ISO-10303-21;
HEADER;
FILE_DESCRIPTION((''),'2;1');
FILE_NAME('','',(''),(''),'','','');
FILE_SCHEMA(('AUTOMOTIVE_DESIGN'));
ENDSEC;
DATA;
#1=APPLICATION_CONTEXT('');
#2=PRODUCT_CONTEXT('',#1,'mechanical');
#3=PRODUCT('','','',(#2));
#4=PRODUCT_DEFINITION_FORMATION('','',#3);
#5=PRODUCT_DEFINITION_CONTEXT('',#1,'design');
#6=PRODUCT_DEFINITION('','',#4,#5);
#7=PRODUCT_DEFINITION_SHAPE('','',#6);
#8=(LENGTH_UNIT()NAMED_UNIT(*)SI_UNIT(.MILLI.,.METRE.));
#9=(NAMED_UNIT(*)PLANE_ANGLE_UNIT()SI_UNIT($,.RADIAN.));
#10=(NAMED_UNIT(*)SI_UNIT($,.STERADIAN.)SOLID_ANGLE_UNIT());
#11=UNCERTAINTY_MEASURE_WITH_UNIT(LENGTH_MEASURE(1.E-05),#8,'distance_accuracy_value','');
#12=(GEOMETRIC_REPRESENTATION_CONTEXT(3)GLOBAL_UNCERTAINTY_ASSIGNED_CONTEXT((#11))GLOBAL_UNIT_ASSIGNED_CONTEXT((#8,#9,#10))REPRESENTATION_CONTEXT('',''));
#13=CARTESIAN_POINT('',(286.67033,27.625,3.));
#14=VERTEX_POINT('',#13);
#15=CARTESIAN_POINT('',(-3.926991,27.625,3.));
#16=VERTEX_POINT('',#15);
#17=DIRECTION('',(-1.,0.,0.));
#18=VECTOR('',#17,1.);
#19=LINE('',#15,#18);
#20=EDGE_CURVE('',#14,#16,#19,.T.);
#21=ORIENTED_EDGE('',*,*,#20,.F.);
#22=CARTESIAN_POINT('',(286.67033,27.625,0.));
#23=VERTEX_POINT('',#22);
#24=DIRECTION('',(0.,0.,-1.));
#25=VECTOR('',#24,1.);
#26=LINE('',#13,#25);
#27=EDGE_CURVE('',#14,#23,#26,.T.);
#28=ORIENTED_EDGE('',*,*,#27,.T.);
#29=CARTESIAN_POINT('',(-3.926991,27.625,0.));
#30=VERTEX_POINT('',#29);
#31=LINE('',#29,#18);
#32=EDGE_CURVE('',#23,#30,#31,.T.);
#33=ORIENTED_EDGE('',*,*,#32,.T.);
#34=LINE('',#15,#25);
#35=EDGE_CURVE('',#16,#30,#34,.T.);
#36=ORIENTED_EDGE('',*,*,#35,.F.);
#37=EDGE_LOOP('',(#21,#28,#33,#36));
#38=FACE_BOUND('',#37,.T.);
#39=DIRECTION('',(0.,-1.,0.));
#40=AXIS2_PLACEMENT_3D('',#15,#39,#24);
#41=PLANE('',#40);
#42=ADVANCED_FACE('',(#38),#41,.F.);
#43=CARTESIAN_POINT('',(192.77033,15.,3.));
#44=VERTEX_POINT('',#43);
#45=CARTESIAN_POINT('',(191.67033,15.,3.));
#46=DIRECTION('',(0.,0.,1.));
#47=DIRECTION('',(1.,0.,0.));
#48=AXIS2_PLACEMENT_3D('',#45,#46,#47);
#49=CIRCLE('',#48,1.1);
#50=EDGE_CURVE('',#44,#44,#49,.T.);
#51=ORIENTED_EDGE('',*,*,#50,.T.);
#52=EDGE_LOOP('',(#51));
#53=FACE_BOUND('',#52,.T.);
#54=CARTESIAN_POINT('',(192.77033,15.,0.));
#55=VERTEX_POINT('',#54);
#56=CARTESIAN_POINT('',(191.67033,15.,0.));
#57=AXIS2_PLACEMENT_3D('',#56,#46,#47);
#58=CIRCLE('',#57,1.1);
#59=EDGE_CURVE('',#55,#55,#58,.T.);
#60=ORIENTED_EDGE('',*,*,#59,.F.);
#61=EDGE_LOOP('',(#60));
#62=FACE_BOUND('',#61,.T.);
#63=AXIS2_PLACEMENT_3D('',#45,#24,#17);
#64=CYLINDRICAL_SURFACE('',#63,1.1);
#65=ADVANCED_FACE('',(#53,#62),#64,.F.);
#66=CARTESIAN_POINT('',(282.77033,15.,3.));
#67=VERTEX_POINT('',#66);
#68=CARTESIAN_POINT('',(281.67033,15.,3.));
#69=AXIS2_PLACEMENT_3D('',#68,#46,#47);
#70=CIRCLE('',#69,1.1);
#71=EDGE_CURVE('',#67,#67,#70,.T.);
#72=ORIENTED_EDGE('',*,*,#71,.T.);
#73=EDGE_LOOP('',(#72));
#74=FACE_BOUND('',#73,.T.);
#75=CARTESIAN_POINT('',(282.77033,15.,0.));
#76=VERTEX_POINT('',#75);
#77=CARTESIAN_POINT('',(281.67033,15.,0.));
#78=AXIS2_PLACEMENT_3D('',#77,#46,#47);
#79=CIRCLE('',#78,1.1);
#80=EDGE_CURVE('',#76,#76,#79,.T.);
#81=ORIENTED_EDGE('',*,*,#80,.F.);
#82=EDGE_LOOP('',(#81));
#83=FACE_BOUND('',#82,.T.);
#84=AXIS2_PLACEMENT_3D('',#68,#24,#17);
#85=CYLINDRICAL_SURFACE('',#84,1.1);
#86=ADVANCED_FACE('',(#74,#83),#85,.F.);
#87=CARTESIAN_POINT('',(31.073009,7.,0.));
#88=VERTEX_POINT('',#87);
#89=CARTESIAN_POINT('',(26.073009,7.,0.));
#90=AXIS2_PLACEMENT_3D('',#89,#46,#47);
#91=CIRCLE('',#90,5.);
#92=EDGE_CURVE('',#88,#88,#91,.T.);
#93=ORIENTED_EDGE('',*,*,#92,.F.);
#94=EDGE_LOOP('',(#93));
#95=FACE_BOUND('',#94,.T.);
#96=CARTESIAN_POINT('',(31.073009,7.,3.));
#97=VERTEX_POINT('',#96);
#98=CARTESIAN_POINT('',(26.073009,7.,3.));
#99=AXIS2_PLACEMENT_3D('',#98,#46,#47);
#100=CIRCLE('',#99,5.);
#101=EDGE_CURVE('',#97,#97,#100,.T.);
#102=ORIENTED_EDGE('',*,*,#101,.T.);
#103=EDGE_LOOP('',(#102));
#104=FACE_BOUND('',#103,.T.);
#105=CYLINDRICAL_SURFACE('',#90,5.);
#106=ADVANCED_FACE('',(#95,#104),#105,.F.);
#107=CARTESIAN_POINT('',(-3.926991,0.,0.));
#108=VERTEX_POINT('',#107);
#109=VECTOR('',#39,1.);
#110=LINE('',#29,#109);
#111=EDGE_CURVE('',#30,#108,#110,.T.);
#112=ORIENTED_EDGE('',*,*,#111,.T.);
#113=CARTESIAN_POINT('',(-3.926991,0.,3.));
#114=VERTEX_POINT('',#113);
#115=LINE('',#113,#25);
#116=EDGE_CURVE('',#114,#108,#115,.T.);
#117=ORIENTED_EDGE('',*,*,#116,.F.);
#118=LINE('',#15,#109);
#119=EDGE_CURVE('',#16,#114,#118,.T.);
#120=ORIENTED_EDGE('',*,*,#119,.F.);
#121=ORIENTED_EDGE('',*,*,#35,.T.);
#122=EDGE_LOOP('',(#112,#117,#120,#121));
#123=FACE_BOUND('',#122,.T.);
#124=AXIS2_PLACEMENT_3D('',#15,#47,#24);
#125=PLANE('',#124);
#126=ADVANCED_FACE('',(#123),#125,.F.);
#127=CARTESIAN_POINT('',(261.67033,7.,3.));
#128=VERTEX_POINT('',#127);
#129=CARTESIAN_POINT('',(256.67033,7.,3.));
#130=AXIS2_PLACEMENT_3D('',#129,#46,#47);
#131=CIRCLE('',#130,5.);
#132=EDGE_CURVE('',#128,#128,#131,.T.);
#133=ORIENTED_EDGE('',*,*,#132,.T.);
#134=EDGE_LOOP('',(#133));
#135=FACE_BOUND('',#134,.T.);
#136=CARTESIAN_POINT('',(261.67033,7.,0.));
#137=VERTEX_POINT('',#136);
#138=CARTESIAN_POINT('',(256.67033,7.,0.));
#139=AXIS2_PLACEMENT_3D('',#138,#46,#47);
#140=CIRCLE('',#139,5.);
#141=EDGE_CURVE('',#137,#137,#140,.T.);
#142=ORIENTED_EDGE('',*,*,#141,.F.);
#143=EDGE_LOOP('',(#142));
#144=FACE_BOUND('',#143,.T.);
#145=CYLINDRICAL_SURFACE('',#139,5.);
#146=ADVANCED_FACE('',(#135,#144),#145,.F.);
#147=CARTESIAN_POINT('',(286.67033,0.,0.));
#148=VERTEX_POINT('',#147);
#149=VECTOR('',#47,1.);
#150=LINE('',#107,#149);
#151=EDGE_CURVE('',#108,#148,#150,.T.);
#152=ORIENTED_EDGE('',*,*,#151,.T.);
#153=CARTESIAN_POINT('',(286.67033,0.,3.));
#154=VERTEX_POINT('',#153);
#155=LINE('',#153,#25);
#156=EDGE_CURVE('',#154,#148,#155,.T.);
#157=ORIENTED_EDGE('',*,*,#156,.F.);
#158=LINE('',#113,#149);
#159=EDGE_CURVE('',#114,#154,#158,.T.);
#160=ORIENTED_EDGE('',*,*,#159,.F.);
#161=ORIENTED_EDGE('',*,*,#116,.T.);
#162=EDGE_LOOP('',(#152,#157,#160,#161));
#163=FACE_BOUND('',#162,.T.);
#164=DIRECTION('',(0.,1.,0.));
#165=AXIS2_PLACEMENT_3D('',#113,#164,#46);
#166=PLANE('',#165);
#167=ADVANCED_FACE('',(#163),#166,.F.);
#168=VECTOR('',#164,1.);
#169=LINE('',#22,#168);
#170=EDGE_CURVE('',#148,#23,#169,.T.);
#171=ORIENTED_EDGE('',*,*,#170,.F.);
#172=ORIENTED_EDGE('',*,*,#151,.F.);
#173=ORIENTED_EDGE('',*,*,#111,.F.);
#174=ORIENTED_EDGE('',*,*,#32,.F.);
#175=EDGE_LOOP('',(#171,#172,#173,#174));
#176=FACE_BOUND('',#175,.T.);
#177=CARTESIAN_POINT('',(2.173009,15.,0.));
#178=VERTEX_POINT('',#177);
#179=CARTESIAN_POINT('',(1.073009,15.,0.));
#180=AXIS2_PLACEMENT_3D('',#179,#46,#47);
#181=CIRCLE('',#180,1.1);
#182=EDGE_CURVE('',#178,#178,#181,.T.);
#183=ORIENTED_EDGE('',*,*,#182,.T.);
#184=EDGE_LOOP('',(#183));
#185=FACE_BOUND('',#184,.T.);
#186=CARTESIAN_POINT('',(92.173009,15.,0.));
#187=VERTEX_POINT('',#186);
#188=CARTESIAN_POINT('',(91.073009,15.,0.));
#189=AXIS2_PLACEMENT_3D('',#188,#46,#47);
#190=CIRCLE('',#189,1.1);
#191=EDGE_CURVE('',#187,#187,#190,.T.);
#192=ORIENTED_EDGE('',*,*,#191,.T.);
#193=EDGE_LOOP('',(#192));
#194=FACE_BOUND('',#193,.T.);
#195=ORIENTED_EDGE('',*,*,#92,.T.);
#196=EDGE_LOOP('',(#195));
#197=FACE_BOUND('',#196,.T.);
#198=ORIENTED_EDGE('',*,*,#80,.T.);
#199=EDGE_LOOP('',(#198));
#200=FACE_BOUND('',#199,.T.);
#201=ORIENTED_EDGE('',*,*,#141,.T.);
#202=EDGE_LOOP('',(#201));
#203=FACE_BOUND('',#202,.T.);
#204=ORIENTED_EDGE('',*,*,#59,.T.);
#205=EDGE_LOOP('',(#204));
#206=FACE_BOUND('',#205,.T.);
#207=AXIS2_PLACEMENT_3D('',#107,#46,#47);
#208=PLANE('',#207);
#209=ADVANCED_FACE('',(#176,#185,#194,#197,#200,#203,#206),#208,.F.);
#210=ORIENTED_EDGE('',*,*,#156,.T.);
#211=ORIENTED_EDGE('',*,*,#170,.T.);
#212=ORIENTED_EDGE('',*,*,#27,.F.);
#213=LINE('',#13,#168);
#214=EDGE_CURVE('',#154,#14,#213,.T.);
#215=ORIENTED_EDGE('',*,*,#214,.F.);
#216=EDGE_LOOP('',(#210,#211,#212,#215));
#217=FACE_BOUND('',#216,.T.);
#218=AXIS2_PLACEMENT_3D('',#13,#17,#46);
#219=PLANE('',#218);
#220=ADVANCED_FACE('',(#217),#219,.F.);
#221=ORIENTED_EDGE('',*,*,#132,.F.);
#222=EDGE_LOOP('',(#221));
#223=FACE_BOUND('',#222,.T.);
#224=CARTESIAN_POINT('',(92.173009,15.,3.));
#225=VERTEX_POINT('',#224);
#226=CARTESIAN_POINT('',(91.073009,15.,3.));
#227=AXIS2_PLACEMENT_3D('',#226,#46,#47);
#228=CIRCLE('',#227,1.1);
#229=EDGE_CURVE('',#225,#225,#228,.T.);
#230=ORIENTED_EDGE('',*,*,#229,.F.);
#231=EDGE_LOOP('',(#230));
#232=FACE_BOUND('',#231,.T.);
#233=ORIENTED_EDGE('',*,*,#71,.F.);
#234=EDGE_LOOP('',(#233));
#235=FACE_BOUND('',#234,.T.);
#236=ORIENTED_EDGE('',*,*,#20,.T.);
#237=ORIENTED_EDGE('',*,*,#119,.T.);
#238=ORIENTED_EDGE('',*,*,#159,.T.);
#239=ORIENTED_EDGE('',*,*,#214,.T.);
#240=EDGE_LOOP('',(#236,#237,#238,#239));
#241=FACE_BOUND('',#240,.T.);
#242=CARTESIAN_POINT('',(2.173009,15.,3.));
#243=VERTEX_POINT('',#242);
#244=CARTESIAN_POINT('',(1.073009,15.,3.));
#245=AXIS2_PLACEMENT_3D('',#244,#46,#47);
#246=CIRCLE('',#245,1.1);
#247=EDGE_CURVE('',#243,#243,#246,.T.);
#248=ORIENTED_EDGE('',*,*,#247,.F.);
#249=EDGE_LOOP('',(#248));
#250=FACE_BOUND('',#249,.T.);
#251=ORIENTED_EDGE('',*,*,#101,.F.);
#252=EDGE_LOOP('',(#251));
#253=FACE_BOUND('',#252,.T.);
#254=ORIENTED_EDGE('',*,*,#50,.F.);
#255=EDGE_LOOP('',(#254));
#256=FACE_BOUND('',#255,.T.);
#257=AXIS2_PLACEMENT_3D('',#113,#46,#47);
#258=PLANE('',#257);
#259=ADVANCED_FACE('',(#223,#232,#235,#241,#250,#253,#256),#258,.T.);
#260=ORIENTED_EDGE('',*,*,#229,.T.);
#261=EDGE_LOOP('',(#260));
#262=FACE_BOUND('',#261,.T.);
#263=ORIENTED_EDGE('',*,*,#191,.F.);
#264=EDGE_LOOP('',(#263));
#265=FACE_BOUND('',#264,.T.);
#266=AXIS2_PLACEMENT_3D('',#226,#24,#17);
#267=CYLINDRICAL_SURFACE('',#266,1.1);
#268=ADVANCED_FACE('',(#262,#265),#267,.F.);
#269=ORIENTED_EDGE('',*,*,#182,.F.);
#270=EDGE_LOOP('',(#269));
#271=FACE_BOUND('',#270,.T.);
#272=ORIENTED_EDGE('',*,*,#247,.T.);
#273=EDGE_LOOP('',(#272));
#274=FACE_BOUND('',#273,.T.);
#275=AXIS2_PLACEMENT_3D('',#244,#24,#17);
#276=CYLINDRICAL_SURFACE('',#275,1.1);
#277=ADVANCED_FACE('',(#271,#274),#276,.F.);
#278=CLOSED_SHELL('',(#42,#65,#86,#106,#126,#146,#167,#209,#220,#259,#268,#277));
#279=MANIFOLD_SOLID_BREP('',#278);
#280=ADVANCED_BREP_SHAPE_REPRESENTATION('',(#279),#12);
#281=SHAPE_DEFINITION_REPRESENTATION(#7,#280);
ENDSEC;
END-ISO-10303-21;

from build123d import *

# Parameters (mm, degrees)
ESQUISSE5_W             = 290.597320494
ESQUISSE5_H             = 27.625
ESQUISSE5_R             = 1.1
EXTRUSION1_DEPTH        = 3
ESQUISSE4_R             = 5
ENL_V_MAT_EXTRU_2_DEPTH = 4


with BuildPart() as part:
    # Esquisse5 → Extrusion1 (new body)
    with BuildSketch(Plane.XY):
        with Locations((141.37166943, 13.8125)):
            Rectangle(ESQUISSE5_W, ESQUISSE5_H)
        with Locations((281.670329677, 15)):
            Circle(ESQUISSE5_R, mode=Mode.SUBTRACT)
        with Locations((91.073009183, 15)):
            Circle(ESQUISSE5_R, mode=Mode.SUBTRACT)
        with Locations((1.073009183, 15)):
            Circle(ESQUISSE5_R, mode=Mode.SUBTRACT)
        with Locations((191.670329678, 15)):
            Circle(ESQUISSE5_R, mode=Mode.SUBTRACT)
    extrude(amount=EXTRUSION1_DEPTH)

    # Esquisse4 → Enlèv. mat.-Extru.2 (cut, through all)
    with BuildSketch(Plane.XY.offset(3)):
        with Locations((26.073009183, 7)):
            Circle(ESQUISSE4_R)
        with Locations((256.670329678, 7)):
            Circle(ESQUISSE4_R)
    extrude(amount=-ENL_V_MAT_EXTRU_2_DEPTH, mode=Mode.SUBTRACT)


solid = part.part
